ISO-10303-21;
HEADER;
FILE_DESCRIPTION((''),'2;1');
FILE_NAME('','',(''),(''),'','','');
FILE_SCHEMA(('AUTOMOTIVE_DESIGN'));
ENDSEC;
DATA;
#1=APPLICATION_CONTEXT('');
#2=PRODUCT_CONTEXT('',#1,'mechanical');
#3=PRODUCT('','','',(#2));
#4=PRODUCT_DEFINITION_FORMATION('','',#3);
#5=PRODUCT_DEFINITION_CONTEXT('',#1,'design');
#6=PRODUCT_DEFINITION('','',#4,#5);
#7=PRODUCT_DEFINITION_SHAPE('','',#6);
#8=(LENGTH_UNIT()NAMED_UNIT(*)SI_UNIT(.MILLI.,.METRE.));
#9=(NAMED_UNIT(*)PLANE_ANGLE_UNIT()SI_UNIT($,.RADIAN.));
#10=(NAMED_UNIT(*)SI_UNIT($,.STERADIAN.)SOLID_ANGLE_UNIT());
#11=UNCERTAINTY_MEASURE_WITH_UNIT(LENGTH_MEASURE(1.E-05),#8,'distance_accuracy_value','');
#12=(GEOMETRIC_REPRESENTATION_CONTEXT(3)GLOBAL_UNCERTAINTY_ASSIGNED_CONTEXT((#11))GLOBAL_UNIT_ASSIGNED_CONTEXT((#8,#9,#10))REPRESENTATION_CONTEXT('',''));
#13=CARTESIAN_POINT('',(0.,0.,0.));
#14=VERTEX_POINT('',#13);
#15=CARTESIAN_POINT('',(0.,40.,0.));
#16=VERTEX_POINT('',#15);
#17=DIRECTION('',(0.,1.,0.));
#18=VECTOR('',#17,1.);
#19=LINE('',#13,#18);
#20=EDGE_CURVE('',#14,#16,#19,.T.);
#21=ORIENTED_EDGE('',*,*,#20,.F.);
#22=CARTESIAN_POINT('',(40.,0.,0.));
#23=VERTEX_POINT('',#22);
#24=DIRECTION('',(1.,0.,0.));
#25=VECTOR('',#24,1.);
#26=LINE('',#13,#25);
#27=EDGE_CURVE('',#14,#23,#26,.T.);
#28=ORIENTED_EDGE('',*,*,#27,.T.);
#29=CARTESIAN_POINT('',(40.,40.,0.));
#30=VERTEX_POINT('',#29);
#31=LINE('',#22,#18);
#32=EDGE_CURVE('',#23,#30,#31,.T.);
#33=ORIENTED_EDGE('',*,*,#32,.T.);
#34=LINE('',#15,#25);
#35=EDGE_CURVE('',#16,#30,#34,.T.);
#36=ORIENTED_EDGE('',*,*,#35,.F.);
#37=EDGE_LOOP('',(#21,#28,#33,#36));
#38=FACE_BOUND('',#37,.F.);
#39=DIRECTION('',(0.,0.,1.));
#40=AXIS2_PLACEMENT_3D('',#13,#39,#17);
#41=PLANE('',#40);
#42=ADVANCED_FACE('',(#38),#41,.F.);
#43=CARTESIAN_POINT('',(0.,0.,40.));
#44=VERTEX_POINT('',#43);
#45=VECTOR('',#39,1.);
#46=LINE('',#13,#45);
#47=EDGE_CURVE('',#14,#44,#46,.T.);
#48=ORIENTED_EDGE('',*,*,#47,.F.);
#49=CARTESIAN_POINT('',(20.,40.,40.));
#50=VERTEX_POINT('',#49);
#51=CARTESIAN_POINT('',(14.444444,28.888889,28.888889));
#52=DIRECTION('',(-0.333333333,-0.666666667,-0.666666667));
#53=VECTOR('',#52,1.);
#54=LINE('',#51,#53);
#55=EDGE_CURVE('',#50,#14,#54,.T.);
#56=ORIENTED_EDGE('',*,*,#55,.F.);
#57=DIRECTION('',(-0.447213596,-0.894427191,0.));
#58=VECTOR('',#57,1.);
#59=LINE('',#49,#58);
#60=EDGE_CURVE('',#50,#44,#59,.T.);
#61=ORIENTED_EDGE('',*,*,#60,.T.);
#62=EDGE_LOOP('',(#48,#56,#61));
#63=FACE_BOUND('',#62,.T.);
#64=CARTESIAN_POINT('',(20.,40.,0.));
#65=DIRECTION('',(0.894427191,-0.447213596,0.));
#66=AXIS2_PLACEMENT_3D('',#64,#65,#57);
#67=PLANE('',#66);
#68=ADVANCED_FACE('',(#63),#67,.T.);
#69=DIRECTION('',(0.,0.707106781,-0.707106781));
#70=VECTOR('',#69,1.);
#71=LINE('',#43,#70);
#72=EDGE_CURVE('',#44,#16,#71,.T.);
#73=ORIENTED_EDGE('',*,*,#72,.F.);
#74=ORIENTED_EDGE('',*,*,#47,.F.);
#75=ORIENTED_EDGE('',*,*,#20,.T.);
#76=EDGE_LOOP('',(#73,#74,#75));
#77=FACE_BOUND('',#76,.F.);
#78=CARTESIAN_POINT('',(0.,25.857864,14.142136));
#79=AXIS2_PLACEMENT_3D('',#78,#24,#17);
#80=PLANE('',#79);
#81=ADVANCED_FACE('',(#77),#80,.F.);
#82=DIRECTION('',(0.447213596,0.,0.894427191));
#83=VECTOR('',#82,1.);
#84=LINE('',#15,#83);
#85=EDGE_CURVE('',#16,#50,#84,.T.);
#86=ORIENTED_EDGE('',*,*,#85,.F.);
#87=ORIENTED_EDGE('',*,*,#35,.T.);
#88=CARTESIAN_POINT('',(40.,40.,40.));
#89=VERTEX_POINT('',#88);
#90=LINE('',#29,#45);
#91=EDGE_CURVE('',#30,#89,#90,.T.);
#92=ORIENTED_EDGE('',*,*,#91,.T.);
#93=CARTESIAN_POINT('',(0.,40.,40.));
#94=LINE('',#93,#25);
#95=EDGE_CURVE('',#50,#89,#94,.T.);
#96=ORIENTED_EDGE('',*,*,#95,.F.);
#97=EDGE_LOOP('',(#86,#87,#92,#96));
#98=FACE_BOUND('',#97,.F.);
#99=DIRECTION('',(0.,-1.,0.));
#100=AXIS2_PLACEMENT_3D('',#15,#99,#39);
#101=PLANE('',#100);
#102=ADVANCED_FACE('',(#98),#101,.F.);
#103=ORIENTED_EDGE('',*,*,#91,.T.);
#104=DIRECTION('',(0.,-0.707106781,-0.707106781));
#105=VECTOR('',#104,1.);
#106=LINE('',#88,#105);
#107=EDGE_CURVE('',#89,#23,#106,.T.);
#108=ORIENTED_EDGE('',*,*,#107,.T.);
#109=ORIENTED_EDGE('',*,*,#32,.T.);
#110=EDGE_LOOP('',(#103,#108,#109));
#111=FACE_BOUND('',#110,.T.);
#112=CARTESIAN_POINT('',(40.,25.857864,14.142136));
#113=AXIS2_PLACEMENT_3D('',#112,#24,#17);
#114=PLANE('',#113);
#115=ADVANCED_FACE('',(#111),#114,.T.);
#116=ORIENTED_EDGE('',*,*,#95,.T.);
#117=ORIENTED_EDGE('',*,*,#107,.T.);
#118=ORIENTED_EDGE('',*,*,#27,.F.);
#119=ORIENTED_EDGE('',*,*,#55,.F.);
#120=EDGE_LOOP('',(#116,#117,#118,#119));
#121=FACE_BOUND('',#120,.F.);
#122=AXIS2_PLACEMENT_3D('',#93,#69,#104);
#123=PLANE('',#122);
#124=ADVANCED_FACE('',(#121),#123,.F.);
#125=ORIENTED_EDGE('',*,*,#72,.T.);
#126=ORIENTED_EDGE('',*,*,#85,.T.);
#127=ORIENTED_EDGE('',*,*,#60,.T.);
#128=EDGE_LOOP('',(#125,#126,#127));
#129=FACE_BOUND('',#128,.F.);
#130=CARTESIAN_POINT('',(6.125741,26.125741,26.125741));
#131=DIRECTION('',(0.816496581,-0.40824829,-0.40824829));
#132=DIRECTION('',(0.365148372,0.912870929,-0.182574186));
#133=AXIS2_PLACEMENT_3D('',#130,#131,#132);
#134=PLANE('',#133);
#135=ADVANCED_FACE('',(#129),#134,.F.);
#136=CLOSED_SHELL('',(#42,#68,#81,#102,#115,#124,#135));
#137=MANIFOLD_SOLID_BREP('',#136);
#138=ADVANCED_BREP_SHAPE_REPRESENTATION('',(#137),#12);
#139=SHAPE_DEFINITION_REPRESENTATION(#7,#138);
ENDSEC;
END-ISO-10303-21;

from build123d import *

# Parameters (mm, degrees)
F1_DEPTH = 40
F3_DEPTH = 40
F6_DEPTH = 16.3309316186


with BuildPart() as f1:
    # F0 (on Right) → F1 (new body)
    with BuildSketch(Plane.YZ):
        Polygon((40, 40), (0, 0), (40, 0), align=None)
    extrude(amount=F1_DEPTH)

    # F2 (on face) → F3 (join)
    with BuildSketch(Plane(origin=(0, 0, 0), x_dir=(1, 0, 0), z_dir=(0, 0, -1))):
        Polygon((20, -40), (0, 0), (0, -40), align=None)
    extrude(amount=-F3_DEPTH)

    # F5 (on 3pt) → F6 (cut, through all)
    with BuildSketch(Plane(origin=(-13.3333333333, 6.6666666667, 6.6666666667), x_dir=(0.3651483717, 0.9128709292, -0.1825741858), z_dir=(0.8164965809, -0.4082482905, -0.4082482905))):
        Polygon((36.514837167, 0), (36.514837167, 44.72135955), (-7.3029674334, 35.77708764), align=None)
    extrude(amount=-F6_DEPTH, mode=Mode.SUBTRACT)


solid = f1.part
